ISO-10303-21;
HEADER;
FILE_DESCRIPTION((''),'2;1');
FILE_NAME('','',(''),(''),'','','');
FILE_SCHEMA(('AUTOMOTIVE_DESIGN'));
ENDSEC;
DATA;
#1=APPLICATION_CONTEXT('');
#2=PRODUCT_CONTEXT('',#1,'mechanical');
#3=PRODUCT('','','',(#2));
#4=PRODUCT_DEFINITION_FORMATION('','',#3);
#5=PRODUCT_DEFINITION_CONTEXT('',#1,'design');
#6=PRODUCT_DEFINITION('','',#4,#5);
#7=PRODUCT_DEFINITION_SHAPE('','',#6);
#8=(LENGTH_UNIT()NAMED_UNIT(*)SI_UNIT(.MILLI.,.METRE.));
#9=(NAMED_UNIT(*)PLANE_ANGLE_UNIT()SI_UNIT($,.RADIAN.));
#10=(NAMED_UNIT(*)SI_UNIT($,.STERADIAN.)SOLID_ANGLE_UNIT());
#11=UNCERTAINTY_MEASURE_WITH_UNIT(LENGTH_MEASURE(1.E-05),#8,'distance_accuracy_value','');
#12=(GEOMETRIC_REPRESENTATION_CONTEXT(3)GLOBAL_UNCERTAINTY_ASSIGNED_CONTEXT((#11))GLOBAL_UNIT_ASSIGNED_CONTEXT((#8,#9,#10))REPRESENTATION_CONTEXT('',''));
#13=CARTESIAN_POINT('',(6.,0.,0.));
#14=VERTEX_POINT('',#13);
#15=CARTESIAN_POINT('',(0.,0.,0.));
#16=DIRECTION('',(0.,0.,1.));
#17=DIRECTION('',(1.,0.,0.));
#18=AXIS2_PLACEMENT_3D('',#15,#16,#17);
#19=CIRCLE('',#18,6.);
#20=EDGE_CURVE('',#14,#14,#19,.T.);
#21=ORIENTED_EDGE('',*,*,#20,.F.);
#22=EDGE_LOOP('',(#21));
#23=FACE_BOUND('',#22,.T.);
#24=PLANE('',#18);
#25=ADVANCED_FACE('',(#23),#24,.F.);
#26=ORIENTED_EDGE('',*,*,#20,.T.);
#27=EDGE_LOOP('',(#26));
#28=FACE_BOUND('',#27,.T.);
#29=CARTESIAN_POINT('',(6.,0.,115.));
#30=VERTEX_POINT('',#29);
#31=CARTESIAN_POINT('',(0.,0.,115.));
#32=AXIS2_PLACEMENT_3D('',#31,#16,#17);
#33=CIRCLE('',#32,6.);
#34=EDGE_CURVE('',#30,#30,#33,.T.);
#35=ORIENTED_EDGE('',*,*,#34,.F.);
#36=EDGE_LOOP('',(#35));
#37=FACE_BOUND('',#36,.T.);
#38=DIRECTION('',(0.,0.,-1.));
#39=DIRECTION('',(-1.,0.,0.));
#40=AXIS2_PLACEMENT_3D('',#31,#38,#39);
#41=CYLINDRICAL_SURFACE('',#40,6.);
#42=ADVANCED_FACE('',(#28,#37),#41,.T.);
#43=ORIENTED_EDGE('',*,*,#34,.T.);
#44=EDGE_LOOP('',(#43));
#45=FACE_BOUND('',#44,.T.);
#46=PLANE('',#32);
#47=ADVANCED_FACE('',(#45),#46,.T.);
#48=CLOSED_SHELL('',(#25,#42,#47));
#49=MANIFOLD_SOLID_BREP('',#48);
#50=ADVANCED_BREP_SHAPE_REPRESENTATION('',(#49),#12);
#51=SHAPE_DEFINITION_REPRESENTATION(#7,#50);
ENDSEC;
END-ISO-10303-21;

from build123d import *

# Parameters (mm, degrees)
SKETCH_1_R      = 6
EXTRUDE_1_DEPTH = 115


with BuildPart() as part:
    # 草圖1 → 填料-伸長1 (new body)
    with BuildSketch(Plane.XY):
        Circle(SKETCH_1_R)
    extrude(amount=EXTRUDE_1_DEPTH)


solid = part.part
